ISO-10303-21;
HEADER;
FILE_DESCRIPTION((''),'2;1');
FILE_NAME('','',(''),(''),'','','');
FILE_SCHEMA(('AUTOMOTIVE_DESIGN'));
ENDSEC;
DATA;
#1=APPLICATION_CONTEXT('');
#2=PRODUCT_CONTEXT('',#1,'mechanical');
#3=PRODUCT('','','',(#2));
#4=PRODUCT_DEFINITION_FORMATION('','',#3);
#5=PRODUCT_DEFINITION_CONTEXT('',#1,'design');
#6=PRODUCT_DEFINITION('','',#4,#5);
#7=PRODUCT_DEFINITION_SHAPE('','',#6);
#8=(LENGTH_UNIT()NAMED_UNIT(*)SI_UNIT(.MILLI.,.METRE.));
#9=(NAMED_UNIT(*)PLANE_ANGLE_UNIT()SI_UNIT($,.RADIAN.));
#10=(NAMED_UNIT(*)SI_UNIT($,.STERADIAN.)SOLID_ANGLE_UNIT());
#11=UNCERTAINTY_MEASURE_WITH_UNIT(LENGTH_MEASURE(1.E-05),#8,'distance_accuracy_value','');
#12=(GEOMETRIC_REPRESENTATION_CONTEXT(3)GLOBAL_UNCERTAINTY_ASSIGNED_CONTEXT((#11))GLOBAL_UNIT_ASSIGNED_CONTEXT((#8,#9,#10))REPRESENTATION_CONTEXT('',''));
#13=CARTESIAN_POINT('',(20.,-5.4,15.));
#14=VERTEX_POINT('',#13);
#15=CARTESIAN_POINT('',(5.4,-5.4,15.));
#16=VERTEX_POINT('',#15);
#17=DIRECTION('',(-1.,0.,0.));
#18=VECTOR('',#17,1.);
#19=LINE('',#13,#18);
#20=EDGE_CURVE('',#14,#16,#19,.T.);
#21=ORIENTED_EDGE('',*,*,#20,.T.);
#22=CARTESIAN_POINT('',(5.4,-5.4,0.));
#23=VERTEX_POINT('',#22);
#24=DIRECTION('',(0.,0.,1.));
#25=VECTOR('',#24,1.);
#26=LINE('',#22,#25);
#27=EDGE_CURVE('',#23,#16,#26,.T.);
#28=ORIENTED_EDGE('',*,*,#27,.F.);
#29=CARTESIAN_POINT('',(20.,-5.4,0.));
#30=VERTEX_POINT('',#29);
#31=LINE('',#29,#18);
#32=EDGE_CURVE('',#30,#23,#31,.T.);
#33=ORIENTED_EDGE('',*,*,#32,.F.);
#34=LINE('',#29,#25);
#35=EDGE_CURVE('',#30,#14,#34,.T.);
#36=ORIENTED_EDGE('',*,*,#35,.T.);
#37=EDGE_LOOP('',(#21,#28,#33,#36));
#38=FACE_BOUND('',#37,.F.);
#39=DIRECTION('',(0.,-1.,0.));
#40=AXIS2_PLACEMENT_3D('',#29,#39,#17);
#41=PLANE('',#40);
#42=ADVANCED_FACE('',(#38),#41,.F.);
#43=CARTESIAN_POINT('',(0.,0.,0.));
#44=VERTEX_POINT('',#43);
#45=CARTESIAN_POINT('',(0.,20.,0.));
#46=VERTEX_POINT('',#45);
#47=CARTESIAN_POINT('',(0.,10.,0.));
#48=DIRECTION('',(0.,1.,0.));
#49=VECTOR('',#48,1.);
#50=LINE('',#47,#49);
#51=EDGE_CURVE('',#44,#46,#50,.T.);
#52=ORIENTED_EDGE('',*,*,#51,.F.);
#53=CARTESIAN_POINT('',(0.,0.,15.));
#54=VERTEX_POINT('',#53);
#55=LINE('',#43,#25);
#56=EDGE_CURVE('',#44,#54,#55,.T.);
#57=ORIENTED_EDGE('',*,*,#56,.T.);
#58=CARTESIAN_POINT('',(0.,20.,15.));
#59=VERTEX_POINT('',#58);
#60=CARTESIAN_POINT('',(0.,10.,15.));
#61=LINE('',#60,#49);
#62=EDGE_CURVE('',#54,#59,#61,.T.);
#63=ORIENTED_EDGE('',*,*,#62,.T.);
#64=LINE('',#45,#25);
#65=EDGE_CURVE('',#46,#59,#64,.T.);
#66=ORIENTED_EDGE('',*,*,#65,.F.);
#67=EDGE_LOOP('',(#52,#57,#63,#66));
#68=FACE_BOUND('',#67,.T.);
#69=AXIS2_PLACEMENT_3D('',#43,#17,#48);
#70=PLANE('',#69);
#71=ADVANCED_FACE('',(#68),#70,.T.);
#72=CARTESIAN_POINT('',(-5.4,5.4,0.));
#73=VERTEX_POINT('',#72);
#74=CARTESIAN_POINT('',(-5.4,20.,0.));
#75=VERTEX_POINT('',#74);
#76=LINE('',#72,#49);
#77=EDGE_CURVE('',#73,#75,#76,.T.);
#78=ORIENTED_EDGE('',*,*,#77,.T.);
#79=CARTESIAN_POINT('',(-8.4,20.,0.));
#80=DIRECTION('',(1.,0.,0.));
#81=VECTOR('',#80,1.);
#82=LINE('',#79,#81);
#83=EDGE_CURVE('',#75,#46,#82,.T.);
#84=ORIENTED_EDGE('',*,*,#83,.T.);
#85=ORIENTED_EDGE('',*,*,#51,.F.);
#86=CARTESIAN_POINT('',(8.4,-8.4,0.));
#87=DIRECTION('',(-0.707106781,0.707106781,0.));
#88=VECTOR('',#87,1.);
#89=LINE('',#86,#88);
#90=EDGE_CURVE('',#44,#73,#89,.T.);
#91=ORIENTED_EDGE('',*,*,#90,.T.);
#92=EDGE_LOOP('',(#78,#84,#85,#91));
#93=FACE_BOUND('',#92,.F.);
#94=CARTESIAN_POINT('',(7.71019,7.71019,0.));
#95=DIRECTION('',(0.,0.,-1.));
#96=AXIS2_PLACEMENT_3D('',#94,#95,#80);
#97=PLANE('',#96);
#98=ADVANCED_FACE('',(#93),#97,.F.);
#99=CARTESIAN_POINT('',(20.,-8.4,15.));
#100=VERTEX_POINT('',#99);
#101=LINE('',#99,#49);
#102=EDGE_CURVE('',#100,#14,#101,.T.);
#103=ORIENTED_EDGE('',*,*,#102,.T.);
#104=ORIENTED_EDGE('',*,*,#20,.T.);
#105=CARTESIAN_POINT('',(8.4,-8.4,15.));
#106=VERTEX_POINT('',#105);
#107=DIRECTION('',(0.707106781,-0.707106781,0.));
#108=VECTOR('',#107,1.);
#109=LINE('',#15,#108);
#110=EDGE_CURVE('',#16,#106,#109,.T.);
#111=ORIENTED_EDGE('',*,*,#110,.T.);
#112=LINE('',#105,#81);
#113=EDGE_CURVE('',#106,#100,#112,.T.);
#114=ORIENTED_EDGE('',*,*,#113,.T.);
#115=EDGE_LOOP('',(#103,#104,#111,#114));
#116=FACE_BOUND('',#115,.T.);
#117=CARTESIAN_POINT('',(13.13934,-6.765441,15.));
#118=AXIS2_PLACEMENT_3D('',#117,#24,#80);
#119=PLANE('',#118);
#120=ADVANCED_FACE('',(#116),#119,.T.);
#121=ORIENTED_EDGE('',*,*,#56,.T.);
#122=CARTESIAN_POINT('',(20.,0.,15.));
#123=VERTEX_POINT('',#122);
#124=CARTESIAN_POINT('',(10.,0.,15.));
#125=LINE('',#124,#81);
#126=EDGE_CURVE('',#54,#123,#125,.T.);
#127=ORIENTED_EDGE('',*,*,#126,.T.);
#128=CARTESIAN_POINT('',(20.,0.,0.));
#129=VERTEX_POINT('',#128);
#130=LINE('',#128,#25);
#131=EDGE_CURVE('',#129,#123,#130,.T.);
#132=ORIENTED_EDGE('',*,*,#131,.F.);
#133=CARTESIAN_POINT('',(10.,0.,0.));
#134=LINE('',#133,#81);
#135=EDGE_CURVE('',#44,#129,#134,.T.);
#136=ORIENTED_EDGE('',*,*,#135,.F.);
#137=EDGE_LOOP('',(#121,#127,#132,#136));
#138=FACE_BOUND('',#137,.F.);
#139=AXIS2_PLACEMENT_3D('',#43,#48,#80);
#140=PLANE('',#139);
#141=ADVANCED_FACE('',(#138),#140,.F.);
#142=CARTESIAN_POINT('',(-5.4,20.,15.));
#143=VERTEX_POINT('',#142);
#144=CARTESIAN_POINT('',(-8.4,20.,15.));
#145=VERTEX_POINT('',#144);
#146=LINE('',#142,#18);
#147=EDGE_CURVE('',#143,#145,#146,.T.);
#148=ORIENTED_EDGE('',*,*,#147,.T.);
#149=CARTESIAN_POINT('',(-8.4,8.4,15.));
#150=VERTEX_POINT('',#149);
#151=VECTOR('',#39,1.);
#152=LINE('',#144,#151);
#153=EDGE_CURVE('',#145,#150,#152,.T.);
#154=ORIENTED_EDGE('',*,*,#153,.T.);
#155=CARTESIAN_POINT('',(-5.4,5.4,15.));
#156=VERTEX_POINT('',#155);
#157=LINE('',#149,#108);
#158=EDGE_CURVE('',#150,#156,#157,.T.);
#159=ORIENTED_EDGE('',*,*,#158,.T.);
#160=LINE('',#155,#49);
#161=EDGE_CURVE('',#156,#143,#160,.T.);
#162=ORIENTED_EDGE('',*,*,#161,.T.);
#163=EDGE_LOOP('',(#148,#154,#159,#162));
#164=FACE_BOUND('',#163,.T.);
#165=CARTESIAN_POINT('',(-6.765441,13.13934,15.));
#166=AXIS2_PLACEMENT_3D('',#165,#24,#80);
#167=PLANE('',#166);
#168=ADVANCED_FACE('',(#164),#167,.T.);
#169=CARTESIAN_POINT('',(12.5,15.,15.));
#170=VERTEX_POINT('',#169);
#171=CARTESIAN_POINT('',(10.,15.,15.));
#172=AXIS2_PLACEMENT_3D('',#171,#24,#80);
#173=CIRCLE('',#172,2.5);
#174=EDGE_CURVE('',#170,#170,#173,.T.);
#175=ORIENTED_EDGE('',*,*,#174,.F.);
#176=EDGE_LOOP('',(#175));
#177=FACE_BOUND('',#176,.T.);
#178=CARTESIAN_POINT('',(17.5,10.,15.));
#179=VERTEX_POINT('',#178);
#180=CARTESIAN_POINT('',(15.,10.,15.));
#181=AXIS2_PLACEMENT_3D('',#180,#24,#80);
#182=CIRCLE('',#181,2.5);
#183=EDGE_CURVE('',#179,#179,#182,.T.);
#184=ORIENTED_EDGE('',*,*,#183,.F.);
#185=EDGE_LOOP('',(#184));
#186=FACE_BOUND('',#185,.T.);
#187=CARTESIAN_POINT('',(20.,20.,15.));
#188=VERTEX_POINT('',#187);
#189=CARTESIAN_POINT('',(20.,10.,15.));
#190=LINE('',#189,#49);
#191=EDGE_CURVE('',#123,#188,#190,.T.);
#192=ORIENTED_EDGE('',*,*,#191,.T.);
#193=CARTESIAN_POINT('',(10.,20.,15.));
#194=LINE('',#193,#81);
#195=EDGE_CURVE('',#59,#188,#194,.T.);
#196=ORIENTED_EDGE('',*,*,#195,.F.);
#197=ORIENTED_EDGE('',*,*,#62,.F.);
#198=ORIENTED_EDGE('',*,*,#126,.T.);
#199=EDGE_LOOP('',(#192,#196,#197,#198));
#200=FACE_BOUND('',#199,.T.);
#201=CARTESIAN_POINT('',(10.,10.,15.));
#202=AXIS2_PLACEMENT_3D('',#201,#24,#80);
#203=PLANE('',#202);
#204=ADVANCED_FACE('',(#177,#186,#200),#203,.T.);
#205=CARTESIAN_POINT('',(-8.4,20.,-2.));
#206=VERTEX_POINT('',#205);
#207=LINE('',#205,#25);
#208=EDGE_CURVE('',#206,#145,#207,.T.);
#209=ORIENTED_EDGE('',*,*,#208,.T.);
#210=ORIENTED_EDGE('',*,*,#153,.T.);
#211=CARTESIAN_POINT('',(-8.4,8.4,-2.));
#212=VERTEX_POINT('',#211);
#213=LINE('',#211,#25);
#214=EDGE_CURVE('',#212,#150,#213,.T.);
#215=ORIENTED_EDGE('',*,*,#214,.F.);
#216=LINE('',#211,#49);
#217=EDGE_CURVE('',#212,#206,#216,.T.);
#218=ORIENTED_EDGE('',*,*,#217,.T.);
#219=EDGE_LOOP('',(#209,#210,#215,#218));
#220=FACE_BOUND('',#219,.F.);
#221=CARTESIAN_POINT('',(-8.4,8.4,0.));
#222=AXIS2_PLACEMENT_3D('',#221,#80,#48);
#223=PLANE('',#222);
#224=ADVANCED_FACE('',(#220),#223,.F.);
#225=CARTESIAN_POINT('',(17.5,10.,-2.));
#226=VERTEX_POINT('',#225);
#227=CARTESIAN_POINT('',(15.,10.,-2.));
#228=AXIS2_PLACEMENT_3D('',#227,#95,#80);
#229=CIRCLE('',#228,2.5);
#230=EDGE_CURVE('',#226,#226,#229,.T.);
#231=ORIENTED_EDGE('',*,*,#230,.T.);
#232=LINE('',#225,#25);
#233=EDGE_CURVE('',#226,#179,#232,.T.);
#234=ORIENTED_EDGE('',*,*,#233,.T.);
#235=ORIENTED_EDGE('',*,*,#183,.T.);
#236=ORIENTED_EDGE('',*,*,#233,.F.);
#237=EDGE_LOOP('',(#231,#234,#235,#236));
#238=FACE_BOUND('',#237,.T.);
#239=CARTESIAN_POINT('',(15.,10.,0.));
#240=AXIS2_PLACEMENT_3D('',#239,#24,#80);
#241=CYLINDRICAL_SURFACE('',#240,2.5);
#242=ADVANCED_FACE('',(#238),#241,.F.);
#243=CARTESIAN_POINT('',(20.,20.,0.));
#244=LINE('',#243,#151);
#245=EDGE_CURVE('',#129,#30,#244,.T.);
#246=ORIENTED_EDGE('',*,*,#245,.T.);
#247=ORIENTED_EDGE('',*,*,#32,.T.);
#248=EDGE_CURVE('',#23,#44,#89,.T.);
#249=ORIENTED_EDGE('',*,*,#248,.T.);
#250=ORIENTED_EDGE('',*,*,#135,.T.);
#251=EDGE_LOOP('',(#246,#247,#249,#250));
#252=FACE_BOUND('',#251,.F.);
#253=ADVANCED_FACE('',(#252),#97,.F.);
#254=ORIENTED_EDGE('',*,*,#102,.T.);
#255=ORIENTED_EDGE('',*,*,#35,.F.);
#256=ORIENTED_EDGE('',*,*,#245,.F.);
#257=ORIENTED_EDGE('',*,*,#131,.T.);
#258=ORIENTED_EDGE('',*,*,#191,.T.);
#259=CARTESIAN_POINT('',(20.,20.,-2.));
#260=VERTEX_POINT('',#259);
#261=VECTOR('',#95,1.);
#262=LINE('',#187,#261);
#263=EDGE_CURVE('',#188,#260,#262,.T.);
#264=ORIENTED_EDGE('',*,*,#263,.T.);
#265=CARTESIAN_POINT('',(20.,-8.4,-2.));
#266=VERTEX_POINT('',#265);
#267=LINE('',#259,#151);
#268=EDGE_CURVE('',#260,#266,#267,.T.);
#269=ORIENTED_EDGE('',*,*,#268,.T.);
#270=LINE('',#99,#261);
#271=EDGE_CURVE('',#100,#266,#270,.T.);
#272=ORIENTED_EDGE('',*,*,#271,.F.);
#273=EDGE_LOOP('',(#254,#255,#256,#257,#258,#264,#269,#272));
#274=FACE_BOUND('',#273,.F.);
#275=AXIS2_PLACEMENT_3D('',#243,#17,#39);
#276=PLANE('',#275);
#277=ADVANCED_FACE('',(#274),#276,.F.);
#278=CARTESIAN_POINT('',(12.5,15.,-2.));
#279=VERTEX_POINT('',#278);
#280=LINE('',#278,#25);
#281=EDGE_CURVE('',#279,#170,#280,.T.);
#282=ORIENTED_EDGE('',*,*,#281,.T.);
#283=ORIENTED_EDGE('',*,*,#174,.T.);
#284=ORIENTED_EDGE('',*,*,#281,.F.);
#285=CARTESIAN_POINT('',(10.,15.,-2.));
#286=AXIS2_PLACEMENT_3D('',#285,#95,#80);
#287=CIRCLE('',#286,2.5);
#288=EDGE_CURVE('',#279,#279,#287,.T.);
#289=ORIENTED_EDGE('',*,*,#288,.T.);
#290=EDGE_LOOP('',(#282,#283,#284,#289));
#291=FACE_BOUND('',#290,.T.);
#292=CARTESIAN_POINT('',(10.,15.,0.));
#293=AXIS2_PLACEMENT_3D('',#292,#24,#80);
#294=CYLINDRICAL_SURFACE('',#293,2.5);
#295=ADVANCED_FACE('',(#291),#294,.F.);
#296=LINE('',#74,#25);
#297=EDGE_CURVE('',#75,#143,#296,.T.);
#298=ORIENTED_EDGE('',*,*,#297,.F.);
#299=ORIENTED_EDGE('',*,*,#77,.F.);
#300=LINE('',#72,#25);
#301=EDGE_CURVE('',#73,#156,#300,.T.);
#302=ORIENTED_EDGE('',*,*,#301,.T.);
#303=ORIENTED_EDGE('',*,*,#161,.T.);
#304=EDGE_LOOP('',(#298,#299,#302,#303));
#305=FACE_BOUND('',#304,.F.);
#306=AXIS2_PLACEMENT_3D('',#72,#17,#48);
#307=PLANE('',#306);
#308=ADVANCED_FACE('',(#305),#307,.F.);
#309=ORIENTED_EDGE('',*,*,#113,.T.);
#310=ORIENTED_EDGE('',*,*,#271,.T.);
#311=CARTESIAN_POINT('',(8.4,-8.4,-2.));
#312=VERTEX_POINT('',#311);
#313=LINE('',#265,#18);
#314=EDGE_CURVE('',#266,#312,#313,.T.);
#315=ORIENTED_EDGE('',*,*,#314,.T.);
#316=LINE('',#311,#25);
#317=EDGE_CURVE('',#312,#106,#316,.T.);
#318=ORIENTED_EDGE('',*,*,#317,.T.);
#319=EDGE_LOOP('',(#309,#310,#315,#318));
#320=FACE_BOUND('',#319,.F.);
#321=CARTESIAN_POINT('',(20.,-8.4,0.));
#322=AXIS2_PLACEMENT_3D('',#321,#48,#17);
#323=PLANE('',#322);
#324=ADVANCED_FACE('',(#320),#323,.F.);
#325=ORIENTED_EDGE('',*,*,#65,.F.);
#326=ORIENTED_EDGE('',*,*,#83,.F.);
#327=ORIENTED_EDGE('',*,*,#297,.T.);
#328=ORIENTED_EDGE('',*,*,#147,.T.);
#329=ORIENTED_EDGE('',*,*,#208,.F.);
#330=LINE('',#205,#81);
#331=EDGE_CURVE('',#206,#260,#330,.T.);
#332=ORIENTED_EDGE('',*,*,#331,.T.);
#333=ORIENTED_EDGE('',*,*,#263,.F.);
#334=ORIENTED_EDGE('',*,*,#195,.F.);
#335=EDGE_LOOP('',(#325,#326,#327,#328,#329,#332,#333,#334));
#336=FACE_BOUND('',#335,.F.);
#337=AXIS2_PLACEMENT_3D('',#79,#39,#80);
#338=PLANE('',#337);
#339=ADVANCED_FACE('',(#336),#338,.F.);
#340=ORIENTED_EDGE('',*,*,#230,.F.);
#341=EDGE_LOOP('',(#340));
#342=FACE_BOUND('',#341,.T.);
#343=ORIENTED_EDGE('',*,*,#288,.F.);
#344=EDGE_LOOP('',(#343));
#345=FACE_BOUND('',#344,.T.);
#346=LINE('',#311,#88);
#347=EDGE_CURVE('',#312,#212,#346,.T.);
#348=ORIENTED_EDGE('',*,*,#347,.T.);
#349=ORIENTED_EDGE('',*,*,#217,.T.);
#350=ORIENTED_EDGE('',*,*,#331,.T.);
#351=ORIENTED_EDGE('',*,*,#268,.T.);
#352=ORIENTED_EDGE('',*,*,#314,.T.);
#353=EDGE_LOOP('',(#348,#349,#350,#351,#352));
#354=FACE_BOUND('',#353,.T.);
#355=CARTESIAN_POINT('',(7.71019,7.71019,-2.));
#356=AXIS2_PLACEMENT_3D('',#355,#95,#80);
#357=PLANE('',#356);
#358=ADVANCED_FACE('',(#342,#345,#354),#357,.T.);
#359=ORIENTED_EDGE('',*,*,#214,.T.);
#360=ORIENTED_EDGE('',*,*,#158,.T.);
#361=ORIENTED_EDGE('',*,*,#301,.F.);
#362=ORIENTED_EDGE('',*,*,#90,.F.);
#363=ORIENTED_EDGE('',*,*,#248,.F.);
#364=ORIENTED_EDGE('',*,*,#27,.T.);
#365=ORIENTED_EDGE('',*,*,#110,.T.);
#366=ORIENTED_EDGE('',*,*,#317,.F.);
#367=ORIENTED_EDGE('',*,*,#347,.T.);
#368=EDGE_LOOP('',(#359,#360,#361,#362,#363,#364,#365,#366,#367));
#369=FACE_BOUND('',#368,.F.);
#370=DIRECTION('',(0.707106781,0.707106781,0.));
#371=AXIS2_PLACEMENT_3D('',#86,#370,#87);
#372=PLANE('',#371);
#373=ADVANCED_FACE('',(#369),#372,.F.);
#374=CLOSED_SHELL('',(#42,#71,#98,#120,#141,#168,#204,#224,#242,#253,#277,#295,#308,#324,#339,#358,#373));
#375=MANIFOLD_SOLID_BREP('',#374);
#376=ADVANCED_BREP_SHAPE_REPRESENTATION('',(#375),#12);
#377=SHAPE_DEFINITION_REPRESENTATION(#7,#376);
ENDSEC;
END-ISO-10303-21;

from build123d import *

# Parameters (mm, degrees)
F0_W     = 20
F0_H     = 20
F0_R     = 2.5
F1_DEPTH = 15
F3_DEPTH = 15
F4_R     = 2.5
F5_DEPTH = 2


with BuildPart() as f1:
    # F0 (on Top) → F1 (new body)
    with BuildSketch(Plane.XY):
        with Locations((10, 10)):
            Rectangle(F0_W, F0_H)
        with Locations((15, 10)):
            Circle(F0_R, mode=Mode.SUBTRACT)
        with Locations((10, 15)):
            Circle(F0_R, mode=Mode.SUBTRACT)
    extrude(amount=F1_DEPTH)



with BuildPart() as f3:
    # F2 (on Top) → F3 (new body, through all)
    with BuildSketch(Plane.XY):
        Polygon((-5.4, 8.4), (-5.4, 20), (-8.4, 20), (-8.4, 8.4), (-5.4, 5.4), align=None)
        Polygon((20, -8.4), (20, -5.4), (8.4, -5.4), (5.4, -5.4), (8.4, -8.4), align=None)
    extrude(amount=F3_DEPTH)


with BuildPart() as f1_1:
    add(f1.part)

    add(f3.part)  # F5 merges F3
    # F4 (on face) → F5 (join)
    with BuildSketch(Plane(origin=(0, 0, 0), x_dir=(1, 0, 0), z_dir=(0, 0, -1))):
        Polygon((-8.4, -20), (20, -20), (20, 8.4), (8.4, 8.4), (-8.4, -8.4), align=None)
        with Locations((10, -15)):
            Circle(F4_R, mode=Mode.SUBTRACT)
        with Locations((15, -10)):
            Circle(F4_R, mode=Mode.SUBTRACT)
    extrude(amount=F5_DEPTH)


solid = f1_1.part
